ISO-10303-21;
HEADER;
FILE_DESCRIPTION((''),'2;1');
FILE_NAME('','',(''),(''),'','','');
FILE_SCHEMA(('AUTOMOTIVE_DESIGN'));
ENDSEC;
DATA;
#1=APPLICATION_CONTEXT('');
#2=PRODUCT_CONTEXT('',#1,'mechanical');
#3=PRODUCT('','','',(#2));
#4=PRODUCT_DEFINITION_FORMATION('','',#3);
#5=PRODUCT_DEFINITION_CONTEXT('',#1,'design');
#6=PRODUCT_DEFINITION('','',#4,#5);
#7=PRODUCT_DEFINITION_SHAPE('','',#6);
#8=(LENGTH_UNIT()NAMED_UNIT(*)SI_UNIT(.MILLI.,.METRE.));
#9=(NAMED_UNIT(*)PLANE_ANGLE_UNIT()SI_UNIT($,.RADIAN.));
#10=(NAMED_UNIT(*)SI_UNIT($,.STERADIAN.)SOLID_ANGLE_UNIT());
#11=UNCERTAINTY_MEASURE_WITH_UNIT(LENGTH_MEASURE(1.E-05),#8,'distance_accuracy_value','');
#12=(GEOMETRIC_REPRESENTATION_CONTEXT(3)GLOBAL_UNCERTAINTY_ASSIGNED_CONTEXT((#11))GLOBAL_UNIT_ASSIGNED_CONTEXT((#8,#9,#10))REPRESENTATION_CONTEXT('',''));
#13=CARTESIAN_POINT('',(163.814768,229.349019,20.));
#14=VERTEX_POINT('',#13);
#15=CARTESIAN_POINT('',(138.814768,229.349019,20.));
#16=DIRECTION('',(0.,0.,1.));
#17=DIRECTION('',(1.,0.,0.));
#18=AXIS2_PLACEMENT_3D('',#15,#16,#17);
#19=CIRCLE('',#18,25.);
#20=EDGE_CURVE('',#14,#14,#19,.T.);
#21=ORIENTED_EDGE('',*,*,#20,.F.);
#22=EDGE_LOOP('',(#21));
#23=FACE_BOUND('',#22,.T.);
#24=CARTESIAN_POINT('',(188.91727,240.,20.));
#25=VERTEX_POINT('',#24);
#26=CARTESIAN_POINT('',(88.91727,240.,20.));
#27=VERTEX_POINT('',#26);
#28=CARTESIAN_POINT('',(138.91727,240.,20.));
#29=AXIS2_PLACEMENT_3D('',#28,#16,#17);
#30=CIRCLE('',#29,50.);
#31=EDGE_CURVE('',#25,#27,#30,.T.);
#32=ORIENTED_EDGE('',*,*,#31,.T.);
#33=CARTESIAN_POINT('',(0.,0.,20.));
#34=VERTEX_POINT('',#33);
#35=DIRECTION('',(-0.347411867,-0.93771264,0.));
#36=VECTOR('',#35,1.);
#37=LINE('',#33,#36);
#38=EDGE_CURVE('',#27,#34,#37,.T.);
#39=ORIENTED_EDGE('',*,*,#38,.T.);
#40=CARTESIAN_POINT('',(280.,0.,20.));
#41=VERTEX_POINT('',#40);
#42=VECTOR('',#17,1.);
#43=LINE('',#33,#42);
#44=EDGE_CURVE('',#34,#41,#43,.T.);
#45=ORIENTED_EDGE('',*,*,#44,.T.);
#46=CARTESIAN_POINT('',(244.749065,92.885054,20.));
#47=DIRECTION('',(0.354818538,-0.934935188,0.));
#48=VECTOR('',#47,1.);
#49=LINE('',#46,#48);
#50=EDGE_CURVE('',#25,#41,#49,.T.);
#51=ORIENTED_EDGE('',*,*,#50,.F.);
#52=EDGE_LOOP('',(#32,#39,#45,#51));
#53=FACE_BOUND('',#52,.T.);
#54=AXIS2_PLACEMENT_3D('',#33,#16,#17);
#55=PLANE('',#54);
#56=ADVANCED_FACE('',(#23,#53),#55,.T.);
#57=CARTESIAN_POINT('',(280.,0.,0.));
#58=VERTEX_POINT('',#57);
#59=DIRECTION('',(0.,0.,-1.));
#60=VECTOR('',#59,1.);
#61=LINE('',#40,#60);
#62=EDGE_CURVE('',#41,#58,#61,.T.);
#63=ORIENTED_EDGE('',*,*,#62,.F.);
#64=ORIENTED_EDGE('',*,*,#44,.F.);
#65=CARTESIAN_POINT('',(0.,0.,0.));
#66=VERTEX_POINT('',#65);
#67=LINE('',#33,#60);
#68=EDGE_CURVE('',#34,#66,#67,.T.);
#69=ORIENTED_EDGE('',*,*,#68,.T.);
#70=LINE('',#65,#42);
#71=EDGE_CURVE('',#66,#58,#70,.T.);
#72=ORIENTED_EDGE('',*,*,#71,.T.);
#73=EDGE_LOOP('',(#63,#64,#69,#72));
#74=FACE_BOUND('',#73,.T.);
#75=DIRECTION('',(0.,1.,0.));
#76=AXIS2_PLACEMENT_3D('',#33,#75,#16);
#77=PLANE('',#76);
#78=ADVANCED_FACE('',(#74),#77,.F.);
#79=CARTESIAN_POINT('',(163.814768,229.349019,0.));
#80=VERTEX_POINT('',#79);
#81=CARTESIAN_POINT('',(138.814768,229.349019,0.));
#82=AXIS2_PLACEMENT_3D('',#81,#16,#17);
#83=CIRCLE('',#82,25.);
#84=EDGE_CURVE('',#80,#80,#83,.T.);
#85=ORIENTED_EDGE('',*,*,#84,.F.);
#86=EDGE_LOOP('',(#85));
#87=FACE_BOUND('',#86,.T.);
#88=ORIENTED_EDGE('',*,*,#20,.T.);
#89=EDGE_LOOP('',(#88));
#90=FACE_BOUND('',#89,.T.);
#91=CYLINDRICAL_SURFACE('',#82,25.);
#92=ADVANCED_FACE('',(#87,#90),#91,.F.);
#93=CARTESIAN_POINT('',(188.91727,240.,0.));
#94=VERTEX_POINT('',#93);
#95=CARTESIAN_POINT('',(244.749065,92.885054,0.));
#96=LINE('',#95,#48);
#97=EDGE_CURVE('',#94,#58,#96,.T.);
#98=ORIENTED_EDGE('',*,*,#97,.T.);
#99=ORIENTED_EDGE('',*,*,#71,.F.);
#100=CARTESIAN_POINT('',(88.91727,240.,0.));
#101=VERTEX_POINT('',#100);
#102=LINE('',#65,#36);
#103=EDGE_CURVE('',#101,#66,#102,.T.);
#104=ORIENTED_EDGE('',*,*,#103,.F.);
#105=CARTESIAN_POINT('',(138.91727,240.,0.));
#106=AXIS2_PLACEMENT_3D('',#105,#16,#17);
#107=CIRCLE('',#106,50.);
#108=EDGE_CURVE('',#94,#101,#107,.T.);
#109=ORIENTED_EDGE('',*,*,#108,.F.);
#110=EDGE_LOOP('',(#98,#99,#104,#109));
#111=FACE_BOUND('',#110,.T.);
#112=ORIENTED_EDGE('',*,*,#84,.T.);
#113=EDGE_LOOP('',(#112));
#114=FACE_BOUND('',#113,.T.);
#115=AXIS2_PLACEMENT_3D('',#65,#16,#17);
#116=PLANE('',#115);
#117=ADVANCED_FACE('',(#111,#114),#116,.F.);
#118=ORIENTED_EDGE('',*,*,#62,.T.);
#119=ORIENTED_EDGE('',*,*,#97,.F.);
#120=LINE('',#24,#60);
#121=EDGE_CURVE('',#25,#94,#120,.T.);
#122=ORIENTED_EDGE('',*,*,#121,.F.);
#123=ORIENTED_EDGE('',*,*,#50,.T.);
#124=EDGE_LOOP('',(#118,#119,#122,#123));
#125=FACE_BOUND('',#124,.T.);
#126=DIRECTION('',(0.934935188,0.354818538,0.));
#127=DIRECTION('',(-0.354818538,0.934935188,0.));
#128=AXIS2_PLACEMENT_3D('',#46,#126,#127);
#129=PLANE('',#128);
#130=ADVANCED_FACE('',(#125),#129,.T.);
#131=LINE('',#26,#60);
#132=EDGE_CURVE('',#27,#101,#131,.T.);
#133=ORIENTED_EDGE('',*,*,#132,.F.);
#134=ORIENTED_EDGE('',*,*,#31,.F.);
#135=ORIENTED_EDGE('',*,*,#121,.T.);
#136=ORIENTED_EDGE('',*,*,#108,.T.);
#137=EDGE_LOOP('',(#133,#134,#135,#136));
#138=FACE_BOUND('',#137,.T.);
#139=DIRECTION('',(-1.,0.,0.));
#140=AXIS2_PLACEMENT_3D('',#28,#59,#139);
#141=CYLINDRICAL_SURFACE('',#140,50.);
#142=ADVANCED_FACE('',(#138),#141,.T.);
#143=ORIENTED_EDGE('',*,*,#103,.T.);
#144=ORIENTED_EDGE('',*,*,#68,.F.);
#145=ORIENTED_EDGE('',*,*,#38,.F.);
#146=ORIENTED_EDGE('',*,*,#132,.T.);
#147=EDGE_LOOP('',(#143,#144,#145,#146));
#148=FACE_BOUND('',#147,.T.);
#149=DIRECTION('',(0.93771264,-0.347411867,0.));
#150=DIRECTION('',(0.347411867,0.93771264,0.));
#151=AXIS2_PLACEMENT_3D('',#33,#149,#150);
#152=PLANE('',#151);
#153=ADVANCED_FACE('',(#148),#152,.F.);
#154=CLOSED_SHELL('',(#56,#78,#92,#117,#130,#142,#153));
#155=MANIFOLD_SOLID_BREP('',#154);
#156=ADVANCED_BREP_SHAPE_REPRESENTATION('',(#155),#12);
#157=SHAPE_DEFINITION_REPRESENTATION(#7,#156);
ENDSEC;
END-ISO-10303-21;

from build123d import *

# Parameters (mm, degrees)
SKETCH1_R           = 50
BOSS_EXTRUDE2_DEPTH = 20
SKETCH2_R           = 25
CUT_EXTRUDE1_DEPTH  = 20


with BuildPart() as part:
    # Sketch1 → Boss-Extrude2 (new body)
    with BuildSketch(Plane.XY):
        with BuildLine():
            Line((88.917270049, 240), (0, 0))
            Line((0, 0), (280, 0))
            Line((280, 0), (188.917270049, 240))
            ThreePointArc((188.917270049, 240), (138.917270049, 190), (88.917270049, 240))
        make_face()
        with Locations((138.917270049, 240)):
            Circle(SKETCH1_R)
    extrude(amount=BOSS_EXTRUDE2_DEPTH)

    # Sketch2 → Cut-Extrude1 (cut)
    with BuildSketch(Plane.XY.offset(20)):
        with Locations((138.81476789, 229.349018501)):
            Circle(SKETCH2_R)
    extrude(amount=-CUT_EXTRUDE1_DEPTH, mode=Mode.SUBTRACT)


solid = part.part
